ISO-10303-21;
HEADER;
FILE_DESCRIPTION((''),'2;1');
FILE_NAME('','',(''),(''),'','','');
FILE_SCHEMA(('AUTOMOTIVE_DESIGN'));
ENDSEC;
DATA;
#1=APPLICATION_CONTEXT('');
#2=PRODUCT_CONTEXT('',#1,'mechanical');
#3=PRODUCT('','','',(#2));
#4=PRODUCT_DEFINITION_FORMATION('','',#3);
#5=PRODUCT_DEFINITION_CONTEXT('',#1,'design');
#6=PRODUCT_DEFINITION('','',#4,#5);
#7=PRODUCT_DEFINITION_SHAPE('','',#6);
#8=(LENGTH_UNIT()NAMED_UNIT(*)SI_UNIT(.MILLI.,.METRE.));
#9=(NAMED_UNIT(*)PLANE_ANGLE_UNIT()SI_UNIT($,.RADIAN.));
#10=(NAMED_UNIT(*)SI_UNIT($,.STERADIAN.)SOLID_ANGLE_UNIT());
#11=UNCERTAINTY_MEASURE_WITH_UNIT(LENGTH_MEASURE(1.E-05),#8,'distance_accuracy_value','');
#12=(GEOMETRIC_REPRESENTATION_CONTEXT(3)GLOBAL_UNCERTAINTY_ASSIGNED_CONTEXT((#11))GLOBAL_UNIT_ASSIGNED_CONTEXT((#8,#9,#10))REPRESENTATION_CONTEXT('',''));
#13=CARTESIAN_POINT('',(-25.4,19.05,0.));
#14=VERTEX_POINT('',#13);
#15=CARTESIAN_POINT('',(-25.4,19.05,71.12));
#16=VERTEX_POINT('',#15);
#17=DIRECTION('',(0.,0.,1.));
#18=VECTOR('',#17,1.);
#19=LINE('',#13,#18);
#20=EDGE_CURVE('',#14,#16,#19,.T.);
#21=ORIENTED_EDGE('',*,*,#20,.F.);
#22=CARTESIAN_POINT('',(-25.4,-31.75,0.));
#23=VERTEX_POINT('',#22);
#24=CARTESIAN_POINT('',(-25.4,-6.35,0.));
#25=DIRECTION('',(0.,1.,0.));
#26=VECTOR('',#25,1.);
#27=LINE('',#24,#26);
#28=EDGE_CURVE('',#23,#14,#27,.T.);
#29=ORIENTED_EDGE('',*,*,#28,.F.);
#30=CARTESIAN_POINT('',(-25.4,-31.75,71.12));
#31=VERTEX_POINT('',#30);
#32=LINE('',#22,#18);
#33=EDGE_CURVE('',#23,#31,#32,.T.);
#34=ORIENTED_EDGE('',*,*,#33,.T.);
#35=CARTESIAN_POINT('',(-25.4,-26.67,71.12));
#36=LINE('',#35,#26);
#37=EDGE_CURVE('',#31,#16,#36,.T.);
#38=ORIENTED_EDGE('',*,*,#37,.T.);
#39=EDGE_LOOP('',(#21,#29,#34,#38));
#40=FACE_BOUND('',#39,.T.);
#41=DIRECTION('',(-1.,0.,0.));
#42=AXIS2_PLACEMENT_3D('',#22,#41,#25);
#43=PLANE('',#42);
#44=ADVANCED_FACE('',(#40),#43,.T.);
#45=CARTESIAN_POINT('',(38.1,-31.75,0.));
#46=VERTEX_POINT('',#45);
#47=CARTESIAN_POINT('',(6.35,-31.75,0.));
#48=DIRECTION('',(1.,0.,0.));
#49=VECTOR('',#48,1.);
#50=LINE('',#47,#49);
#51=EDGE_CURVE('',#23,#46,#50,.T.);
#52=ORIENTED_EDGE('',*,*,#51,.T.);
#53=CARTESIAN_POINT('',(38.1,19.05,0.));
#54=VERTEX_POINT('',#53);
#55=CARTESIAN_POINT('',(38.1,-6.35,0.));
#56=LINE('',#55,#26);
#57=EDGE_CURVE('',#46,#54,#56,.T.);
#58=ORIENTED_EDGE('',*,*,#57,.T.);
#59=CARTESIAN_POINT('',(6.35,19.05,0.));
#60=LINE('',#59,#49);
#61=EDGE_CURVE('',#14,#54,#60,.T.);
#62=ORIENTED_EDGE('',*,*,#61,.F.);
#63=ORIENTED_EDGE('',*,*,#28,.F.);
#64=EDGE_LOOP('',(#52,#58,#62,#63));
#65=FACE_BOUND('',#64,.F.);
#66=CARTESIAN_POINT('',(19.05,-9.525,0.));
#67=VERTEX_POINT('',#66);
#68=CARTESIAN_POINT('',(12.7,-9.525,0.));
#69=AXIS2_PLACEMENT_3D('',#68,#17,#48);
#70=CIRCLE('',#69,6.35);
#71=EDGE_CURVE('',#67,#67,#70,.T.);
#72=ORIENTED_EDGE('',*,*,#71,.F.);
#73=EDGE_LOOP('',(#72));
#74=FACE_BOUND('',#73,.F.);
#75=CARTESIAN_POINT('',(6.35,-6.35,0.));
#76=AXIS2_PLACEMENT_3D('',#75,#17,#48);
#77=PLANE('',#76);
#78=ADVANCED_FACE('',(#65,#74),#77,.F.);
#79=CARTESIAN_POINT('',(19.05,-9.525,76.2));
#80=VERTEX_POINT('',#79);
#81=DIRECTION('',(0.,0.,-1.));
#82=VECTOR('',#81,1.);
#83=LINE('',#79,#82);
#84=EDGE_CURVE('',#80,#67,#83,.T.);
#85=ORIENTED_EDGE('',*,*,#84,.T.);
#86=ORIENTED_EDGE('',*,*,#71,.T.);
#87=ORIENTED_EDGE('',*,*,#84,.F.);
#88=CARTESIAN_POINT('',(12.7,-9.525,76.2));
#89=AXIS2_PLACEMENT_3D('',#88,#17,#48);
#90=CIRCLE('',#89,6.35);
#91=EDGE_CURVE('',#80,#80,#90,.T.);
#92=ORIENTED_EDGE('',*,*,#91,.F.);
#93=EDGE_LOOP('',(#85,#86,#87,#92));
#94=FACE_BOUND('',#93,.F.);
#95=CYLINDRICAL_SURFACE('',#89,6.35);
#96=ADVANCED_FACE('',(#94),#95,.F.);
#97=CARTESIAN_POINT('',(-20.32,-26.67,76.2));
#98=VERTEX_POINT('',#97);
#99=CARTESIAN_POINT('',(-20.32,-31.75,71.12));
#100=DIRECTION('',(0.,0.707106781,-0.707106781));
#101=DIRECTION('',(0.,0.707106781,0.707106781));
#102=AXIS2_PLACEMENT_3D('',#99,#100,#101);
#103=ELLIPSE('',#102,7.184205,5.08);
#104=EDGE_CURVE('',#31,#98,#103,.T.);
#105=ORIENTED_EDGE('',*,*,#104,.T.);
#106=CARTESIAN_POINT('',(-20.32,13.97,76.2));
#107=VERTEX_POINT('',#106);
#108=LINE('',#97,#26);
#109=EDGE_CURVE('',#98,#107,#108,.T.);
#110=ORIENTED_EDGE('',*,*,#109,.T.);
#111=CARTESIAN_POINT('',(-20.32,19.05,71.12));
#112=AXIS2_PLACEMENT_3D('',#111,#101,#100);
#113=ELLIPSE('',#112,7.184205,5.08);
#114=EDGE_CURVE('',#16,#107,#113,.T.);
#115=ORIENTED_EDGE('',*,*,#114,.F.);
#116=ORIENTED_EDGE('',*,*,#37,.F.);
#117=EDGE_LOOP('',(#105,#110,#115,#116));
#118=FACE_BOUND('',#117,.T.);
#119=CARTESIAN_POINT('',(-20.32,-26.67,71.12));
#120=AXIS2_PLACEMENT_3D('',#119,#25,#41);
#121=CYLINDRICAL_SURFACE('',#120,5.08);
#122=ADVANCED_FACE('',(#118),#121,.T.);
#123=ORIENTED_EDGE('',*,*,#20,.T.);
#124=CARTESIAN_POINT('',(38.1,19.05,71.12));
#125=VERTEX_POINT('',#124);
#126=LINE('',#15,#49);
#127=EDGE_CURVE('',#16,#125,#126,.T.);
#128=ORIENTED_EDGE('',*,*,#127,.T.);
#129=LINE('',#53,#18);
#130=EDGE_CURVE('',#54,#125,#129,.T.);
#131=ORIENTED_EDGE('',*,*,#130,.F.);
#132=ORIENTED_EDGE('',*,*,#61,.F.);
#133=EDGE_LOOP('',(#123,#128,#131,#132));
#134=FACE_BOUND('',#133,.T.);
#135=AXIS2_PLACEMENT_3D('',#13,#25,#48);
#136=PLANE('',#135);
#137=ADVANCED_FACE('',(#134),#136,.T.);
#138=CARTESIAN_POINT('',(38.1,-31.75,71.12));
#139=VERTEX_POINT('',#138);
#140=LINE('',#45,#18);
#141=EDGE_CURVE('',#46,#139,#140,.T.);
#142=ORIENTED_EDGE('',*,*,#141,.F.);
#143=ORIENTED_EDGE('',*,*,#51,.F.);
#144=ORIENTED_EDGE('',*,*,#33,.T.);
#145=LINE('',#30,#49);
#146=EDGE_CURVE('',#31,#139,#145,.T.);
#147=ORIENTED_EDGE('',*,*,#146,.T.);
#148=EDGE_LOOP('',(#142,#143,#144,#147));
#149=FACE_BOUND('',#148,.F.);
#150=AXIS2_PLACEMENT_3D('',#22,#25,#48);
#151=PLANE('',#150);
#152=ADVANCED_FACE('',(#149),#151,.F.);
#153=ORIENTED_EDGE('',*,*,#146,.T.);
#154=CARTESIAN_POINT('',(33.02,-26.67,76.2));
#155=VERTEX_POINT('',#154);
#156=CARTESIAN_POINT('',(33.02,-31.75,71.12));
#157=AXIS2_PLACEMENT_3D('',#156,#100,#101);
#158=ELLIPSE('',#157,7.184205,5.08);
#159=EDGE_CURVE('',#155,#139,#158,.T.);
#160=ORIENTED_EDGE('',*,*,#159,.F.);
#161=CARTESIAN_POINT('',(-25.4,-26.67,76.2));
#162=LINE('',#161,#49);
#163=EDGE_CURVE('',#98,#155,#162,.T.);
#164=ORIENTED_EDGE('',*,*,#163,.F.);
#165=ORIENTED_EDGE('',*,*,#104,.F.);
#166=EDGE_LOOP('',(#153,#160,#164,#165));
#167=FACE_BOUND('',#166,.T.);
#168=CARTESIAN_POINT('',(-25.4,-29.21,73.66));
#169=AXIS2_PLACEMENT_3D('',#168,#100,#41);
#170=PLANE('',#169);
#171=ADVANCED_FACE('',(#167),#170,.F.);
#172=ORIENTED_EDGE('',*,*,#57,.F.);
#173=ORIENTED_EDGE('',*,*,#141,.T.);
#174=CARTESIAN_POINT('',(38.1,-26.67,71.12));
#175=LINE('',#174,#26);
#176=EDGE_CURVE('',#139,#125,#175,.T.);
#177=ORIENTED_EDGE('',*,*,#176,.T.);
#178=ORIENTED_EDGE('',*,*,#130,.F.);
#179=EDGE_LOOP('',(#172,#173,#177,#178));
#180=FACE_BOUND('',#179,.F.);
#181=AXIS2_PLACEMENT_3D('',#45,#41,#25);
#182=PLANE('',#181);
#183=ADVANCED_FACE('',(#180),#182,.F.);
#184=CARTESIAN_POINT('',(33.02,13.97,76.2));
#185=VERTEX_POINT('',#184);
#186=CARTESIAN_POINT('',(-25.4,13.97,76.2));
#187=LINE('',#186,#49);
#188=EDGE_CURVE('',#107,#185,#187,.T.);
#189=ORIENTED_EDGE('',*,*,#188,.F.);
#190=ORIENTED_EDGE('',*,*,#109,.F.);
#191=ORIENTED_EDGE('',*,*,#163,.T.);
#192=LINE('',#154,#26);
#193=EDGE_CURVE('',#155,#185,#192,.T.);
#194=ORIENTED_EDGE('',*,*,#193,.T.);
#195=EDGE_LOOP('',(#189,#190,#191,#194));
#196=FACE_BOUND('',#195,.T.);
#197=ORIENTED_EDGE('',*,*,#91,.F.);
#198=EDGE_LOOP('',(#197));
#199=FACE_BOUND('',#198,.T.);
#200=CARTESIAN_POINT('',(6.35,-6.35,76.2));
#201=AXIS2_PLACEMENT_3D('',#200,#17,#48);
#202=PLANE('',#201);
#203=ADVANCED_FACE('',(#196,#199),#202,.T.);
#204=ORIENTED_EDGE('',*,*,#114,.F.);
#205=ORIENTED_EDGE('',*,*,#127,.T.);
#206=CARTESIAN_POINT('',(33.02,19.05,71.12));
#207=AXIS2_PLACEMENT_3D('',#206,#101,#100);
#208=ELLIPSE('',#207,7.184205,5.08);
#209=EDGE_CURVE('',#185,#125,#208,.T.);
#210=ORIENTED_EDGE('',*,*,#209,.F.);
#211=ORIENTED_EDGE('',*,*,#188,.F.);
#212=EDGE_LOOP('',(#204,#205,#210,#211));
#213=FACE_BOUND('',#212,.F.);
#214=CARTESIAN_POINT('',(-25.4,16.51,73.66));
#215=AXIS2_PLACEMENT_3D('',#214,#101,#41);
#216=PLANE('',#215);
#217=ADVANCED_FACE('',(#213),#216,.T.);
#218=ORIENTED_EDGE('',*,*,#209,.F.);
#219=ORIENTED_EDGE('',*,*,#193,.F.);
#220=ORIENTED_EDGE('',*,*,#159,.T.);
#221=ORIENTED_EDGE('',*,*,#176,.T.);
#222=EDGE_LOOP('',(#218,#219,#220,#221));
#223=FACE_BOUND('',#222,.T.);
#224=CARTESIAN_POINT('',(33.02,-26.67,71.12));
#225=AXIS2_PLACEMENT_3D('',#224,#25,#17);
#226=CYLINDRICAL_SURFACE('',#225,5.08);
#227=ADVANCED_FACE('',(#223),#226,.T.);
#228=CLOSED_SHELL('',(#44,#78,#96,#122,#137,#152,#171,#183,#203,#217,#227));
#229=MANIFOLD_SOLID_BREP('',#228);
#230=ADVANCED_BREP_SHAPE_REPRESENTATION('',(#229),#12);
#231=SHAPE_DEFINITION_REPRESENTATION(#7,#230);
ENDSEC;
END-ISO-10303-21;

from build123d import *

# Parameters (mm, degrees)
F0_W     = 63.5
F0_H     = 50.8
F1_DEPTH = 76.2
F2_R     = 6.35
F3_DEPTH = 76.201
F4_SIZE  = 5.08
F5_R     = 5.08


with BuildPart() as f1:
    # F0 (on Top) → F1 (new body)
    with BuildSketch(Plane.XY):
        with Locations((6.35, -6.35)):
            Rectangle(F0_W, F0_H)
    extrude(amount=F1_DEPTH)

    # F2 (on face) → F3 (cut, through all)
    with BuildSketch(Plane.XY.offset(76.2)):
        with Locations((12.7, -9.525)):
            Circle(F2_R)
    extrude(amount=-F3_DEPTH, mode=Mode.SUBTRACT)

    # F4
    f4_edges = [f1.edges().sort_by_distance(p)[0] for p in [
        (6.35, 19.05, 76.2),
        (6.35, -31.75, 76.2),
    ]]
    chamfer(f4_edges, length=F4_SIZE)

    # F5
    f5_edges = [f1.edges().sort_by_distance(p)[0] for p in [
        (-25.4, -6.35, 76.2),
        (38.1, -6.35, 76.2),
    ]]
    fillet(f5_edges, radius=F5_R)


solid = f1.part
